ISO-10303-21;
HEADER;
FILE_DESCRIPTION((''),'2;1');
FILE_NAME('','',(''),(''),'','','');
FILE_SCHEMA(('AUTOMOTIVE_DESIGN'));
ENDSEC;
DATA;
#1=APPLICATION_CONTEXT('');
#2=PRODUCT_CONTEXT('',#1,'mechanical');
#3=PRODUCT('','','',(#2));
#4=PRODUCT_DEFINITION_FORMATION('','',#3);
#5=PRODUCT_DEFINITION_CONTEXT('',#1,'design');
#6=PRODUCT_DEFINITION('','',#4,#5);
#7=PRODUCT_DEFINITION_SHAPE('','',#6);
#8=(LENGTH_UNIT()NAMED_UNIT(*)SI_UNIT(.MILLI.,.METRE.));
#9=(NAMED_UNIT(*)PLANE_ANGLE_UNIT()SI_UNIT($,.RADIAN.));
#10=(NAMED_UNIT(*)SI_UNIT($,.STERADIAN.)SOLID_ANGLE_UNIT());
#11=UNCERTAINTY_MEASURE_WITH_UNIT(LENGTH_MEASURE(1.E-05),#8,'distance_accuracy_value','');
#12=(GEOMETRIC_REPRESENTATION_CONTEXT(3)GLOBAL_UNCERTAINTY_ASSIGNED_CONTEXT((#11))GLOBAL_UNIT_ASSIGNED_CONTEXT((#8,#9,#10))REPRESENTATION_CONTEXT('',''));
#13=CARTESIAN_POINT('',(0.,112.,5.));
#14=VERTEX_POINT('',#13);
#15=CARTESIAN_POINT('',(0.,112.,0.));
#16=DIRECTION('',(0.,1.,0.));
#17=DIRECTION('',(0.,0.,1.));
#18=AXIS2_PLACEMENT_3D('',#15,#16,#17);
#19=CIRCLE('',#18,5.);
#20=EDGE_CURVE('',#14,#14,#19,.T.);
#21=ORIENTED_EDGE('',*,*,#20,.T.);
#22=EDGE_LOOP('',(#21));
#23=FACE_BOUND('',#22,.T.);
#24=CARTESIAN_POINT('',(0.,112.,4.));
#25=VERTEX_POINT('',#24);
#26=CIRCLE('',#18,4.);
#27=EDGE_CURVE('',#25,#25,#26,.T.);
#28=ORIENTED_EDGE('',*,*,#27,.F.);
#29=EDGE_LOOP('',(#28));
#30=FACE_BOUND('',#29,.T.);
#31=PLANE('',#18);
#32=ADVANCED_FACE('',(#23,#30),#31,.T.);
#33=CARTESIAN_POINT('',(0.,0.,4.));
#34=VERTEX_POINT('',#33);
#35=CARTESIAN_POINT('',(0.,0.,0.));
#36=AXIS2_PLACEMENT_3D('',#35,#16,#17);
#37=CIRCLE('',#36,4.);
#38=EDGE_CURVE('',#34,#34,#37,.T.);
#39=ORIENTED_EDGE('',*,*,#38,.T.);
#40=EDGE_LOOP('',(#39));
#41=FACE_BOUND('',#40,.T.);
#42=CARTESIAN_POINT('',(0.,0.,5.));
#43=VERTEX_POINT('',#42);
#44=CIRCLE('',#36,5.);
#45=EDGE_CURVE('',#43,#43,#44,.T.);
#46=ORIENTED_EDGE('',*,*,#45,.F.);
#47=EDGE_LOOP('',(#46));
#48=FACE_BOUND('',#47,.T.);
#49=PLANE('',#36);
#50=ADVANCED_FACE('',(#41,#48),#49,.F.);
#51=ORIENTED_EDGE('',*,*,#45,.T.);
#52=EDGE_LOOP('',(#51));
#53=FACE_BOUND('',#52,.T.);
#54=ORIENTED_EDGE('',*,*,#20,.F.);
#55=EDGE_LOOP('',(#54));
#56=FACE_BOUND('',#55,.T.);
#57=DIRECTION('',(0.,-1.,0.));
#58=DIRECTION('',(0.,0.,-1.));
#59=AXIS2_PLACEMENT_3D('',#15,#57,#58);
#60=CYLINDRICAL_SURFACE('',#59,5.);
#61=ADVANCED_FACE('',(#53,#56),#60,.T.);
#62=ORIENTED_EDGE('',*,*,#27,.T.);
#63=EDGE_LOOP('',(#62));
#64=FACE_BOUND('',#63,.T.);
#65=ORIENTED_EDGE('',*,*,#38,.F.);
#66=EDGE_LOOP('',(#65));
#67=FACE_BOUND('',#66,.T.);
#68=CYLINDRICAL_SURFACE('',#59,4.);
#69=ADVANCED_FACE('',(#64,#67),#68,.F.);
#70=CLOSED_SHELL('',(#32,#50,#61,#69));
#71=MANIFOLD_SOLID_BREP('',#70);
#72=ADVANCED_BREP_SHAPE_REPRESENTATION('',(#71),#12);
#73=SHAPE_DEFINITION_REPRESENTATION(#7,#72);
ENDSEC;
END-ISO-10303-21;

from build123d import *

# Parameters (mm, degrees)
SKETCH_1_R      = 5
SKETCH_1_R_2    = 4
EXTRUDE_1_DEPTH = 112


with BuildPart() as part:
    # Эскиз1 → Бобышка-Вытянуть1 (new body)
    with BuildSketch(Plane(origin=(0, 0, 0), x_dir=(1, 0, 0), z_dir=(0, 1, 0))):
        with Locations(Location((0, 0, 0), (0, 0, 270))):
            Circle(SKETCH_1_R)
        with Locations(Location((0, 0, 0), (0, 0, 270))):
            Circle(SKETCH_1_R_2, mode=Mode.SUBTRACT)
    extrude(amount=EXTRUDE_1_DEPTH)


solid = part.part
